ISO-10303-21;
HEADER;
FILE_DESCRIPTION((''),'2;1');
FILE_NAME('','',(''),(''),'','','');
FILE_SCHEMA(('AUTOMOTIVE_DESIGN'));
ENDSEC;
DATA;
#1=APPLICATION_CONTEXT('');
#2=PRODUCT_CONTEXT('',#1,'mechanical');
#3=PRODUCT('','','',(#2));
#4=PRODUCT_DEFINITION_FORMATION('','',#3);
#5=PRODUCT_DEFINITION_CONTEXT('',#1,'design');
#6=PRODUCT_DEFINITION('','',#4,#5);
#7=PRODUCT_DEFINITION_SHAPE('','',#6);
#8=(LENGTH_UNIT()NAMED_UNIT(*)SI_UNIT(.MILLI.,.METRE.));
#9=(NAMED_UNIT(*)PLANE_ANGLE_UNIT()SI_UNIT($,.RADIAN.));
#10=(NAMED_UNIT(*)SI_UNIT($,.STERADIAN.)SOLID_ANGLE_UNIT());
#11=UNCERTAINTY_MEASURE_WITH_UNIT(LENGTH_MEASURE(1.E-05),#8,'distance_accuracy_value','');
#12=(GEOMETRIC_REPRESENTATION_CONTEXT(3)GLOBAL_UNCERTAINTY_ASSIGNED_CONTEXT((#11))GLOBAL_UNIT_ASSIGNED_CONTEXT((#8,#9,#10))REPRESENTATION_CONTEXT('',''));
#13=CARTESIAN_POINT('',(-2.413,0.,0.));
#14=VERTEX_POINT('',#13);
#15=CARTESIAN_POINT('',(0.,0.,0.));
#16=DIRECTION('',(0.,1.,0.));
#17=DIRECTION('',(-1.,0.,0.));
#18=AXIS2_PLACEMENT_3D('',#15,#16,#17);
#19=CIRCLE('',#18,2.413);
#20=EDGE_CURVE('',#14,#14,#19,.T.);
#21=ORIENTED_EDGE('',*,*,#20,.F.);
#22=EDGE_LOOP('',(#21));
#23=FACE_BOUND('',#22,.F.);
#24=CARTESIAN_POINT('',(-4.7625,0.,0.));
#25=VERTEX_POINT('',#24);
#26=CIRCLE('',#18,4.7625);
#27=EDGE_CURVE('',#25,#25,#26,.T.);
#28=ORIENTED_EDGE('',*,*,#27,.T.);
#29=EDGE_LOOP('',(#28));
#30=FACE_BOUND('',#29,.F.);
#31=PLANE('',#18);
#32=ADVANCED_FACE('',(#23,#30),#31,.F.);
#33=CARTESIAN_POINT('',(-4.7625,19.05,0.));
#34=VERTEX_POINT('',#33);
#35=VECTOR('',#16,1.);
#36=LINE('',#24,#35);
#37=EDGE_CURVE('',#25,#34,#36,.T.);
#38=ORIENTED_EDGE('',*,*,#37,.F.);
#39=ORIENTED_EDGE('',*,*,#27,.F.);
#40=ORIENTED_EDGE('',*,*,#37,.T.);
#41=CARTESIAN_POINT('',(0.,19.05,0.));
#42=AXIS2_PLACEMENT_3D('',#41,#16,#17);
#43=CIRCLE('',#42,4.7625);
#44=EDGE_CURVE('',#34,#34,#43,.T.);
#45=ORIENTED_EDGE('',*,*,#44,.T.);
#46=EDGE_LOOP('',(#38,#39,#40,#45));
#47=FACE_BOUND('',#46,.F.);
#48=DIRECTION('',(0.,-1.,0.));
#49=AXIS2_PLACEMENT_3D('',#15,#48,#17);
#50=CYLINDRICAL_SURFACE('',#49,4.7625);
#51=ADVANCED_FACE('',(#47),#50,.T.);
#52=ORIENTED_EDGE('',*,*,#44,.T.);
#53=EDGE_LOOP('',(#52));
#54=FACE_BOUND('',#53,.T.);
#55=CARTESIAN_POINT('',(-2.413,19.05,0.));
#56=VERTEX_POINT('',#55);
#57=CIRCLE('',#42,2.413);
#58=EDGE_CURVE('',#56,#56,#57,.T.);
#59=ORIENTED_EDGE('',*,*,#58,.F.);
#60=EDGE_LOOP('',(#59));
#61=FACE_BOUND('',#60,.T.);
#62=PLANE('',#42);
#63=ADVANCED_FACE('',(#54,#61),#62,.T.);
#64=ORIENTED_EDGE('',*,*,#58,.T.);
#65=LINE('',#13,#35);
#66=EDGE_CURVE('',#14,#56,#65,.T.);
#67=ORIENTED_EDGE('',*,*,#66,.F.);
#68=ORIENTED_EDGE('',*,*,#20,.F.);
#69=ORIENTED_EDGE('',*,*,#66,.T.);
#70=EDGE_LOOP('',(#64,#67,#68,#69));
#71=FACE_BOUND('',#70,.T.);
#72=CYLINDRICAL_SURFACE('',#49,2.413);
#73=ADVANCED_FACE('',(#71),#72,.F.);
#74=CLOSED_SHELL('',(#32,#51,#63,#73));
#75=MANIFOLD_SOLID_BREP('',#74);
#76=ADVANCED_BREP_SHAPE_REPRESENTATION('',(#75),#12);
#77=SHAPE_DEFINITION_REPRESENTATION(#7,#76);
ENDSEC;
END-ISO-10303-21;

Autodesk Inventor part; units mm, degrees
ref_plane "YZ Plane" through (0, 0, 0) normal (1, 0, 0) x (0, 1, 0)
ref_plane "XZ Plane" through (0, 0, 0) normal (0, 1, 0) x (-1, 0, 0)
ref_plane "XY Plane" through (0, 0, 0) normal (0, 0, 1) x (1, 0, 0)
sketch "Sketch1" plane through (0, 0, 0) normal (0, 1, 0) x (-1, 0, 0)
  circle A0 centre (0, 0) radius 2.413
  circle A1 centre (0, 0) radius 4.7625
  dimension "d0" = 4.826
  dimension "d1" = 9.525
extrude "Extrusion1" add sketch "Sketch1" along normal blind 19.05
properties part number "Coupler" material "Nylon 6/6"
